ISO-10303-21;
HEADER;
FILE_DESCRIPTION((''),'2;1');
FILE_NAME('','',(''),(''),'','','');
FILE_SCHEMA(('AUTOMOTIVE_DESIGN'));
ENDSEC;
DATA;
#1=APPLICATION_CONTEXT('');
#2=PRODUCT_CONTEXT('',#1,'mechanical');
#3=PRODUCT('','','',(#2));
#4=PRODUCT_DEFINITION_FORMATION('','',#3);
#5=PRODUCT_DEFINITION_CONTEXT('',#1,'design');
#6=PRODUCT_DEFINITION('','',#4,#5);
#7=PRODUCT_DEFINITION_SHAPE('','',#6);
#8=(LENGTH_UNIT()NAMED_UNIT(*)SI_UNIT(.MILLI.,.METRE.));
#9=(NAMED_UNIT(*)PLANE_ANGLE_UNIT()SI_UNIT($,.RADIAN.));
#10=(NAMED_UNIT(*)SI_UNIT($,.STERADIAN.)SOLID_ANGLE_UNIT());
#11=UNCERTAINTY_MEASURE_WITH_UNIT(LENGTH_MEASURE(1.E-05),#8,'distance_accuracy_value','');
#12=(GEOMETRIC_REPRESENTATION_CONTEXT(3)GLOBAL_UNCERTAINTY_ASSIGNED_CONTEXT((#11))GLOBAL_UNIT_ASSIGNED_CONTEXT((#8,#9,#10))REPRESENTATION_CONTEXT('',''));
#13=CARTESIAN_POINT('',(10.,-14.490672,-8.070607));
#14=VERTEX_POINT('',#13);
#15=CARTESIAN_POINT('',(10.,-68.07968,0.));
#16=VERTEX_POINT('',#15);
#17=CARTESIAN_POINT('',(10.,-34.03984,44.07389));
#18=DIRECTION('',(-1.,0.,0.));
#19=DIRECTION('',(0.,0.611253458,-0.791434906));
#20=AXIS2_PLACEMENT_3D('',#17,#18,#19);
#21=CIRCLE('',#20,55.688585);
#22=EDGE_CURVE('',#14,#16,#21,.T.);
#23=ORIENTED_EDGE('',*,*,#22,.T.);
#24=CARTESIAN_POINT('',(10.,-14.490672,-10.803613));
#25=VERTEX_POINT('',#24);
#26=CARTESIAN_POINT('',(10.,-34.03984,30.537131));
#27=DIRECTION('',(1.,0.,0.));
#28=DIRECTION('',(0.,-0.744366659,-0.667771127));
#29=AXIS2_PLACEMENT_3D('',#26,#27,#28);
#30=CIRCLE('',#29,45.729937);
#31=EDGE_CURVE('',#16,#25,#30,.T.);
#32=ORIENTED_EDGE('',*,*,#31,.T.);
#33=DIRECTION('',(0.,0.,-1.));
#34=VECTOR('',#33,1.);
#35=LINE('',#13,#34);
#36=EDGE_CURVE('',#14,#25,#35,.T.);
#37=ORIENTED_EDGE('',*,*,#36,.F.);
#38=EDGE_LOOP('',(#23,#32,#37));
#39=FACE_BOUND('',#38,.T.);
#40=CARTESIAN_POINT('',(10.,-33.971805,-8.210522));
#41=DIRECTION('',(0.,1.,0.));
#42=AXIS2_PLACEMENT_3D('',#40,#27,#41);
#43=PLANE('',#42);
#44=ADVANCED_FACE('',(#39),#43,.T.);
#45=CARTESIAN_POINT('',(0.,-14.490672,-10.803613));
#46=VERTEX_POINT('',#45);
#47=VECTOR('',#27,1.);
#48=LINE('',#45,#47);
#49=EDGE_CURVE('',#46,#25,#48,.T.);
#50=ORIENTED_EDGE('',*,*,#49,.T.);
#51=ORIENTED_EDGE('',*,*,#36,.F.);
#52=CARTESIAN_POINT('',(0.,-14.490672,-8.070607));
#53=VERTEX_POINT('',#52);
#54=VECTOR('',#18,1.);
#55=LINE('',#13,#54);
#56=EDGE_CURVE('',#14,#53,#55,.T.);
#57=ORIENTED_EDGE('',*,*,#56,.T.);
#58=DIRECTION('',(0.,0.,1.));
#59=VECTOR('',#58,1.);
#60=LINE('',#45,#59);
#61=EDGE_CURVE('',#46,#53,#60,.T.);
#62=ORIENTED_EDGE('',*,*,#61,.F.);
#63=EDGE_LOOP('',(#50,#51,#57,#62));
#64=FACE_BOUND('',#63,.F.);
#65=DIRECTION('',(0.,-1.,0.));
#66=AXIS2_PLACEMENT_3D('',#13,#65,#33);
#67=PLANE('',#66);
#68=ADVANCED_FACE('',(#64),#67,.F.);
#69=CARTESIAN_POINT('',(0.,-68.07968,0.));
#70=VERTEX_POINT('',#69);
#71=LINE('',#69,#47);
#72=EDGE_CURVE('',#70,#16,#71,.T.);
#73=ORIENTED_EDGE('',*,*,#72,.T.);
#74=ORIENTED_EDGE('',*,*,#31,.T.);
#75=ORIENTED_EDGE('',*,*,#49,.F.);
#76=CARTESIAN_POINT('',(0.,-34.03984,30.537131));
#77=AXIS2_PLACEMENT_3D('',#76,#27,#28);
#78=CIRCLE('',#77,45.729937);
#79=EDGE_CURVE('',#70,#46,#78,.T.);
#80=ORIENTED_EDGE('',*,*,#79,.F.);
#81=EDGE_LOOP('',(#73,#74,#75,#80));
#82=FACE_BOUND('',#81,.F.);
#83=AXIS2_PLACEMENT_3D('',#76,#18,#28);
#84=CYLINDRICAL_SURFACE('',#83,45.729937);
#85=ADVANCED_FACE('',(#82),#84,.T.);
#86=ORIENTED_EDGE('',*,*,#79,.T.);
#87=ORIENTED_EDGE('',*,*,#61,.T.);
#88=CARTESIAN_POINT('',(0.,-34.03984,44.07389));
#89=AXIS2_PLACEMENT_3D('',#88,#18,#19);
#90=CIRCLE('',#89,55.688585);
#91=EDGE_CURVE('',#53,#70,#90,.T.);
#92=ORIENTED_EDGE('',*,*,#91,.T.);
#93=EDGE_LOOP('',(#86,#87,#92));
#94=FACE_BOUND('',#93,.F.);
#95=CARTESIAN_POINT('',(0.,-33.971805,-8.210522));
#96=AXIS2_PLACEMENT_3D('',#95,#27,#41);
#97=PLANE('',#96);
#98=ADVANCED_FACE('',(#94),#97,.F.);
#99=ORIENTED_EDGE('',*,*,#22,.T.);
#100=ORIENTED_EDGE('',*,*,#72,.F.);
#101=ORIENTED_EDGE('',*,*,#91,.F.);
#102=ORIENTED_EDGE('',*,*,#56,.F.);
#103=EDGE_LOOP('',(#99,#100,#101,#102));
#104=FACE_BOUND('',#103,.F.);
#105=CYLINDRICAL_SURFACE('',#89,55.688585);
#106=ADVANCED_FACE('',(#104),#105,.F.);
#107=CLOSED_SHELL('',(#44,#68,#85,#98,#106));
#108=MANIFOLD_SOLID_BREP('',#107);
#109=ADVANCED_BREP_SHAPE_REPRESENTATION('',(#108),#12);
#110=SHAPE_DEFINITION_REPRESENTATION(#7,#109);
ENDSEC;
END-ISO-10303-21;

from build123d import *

# Parameters (mm, degrees)
F1_DEPTH = 10
F3_DEPTH = 35
F5_DEPTH = 45.001


with BuildPart() as f1:
    # F0 (on Right) → F1 (new body)
    with BuildSketch(Plane.YZ):
        with BuildLine():
            ThreePointArc((0, 0), (-34.0398401022, -11.614694955), (-68.0796802044, 0))
            ThreePointArc((-68.0796802044, 0), (-43.0772294723, -14.2909034111), (-14.4906720078, -10.8036128804))
            ThreePointArc((-14.4906720078, -10.8036128804), (-6.7062533875, -6.1248672779), (0, 0))
        make_face()
        with BuildLine():
            ThreePointArc((0, 0), (-6.7062533875, -6.1248672779), (-14.4906720078, -10.8036128804))
            Line((-14.4906720078, -10.8036128804), (0, -10.8036128804))
            Line((0, -10.8036128804), (0, 0))
        make_face()
    extrude(amount=F1_DEPTH)

    # F2 (on face) → F3 (join)
    with BuildSketch(Plane(origin=(0, 0, 0), x_dir=(0, -1, 0), z_dir=(-1, 0, 0))):
        with BuildLine():
            Line((0, -10.8036128804), (14.4906720078, -10.8036128804))
            Line((14.4906720078, -10.8036128804), (14.4906720078, -8.0706065552))
            ThreePointArc((14.4906720078, -8.0706065552), (6.9431775325, -4.5778249918), (0, 0))
            Line((0, 0), (0, -10.8036128804))
        make_face()
    extrude(amount=F3_DEPTH)

    # F4 (on face) → F5 (cut, through all)
    with BuildSketch(Plane.YZ.offset(10)):
        with BuildLine():
            Line((-14.4906720078, -8.0706065552), (-14.4906720078, -10.8036128804))
            Line((-14.4906720078, -10.8036128804), (0, -10.8036128804))
            Line((0, -10.8036128804), (0, 0))
            ThreePointArc((0, 0), (-6.9431775325, -4.5778249918), (-14.4906720078, -8.0706065552))
        make_face()
    extrude(amount=-F5_DEPTH, mode=Mode.SUBTRACT)


solid = f1.part
